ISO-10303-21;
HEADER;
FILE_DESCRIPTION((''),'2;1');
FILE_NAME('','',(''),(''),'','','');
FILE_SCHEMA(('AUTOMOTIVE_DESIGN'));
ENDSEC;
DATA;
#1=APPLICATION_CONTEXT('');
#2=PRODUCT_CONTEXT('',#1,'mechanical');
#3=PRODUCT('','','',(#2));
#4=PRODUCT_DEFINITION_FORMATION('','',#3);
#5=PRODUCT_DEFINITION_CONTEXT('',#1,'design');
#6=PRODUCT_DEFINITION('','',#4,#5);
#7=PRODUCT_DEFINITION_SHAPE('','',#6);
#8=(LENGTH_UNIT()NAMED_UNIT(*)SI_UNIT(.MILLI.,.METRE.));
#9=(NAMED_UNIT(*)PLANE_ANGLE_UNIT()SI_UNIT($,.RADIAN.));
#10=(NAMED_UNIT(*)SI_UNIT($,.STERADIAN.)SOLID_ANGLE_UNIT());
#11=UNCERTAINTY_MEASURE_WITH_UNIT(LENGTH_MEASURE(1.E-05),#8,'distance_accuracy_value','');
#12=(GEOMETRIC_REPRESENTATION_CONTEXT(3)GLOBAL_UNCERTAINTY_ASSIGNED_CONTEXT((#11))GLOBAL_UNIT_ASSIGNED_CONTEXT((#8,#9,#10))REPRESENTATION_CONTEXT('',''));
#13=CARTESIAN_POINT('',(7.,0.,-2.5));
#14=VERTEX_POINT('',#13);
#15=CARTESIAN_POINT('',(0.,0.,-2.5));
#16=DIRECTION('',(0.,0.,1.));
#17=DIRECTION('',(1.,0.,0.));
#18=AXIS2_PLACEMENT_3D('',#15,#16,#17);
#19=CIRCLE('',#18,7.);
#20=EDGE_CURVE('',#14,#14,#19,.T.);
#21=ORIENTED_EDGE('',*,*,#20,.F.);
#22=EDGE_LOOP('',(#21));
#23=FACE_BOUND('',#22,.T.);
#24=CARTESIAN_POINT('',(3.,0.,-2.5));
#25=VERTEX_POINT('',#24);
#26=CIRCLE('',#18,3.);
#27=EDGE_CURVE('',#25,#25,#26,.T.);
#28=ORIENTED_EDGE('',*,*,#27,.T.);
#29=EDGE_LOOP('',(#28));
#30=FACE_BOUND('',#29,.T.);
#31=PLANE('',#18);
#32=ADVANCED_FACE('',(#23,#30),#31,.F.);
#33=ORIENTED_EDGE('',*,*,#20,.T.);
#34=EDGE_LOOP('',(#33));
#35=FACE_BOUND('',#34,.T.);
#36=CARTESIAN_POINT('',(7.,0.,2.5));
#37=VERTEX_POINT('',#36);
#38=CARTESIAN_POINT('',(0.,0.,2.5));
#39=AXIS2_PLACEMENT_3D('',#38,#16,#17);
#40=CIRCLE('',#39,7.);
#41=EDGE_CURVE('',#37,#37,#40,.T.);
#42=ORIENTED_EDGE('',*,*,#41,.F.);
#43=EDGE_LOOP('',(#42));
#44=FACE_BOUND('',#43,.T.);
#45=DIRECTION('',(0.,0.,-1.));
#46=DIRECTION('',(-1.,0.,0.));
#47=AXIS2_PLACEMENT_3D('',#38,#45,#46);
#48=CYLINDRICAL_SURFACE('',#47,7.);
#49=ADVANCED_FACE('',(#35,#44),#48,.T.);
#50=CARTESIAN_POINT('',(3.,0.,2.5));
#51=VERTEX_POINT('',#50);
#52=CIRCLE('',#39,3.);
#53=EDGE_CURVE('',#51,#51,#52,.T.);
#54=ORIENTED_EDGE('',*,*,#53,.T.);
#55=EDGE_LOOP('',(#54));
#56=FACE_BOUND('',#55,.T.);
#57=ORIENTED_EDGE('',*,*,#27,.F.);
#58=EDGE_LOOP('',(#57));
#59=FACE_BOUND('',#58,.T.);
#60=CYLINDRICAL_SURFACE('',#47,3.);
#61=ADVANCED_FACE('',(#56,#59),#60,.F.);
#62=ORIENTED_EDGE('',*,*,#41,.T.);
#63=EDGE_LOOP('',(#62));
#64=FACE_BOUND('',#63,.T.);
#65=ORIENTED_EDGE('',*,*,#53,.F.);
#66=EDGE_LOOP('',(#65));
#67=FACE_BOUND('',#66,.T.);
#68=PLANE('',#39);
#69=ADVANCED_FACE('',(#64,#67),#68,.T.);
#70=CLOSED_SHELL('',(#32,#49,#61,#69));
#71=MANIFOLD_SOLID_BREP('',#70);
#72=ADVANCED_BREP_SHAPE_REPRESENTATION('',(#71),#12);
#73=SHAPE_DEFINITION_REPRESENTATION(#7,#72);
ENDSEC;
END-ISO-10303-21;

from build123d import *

# Parameters (mm, degrees)
SKETCH1_R           = 7
SKETCH1_R_2         = 3
BOSS_EXTRUDE1_DEPTH = 2.5


with BuildPart() as part:
    # Sketch1 → Boss-Extrude1 (new body, symmetric)
    with BuildSketch(Plane.XY):
        Circle(SKETCH1_R)
        Circle(SKETCH1_R_2, mode=Mode.SUBTRACT)
    extrude(amount=BOSS_EXTRUDE1_DEPTH, both=True)


solid = part.part
